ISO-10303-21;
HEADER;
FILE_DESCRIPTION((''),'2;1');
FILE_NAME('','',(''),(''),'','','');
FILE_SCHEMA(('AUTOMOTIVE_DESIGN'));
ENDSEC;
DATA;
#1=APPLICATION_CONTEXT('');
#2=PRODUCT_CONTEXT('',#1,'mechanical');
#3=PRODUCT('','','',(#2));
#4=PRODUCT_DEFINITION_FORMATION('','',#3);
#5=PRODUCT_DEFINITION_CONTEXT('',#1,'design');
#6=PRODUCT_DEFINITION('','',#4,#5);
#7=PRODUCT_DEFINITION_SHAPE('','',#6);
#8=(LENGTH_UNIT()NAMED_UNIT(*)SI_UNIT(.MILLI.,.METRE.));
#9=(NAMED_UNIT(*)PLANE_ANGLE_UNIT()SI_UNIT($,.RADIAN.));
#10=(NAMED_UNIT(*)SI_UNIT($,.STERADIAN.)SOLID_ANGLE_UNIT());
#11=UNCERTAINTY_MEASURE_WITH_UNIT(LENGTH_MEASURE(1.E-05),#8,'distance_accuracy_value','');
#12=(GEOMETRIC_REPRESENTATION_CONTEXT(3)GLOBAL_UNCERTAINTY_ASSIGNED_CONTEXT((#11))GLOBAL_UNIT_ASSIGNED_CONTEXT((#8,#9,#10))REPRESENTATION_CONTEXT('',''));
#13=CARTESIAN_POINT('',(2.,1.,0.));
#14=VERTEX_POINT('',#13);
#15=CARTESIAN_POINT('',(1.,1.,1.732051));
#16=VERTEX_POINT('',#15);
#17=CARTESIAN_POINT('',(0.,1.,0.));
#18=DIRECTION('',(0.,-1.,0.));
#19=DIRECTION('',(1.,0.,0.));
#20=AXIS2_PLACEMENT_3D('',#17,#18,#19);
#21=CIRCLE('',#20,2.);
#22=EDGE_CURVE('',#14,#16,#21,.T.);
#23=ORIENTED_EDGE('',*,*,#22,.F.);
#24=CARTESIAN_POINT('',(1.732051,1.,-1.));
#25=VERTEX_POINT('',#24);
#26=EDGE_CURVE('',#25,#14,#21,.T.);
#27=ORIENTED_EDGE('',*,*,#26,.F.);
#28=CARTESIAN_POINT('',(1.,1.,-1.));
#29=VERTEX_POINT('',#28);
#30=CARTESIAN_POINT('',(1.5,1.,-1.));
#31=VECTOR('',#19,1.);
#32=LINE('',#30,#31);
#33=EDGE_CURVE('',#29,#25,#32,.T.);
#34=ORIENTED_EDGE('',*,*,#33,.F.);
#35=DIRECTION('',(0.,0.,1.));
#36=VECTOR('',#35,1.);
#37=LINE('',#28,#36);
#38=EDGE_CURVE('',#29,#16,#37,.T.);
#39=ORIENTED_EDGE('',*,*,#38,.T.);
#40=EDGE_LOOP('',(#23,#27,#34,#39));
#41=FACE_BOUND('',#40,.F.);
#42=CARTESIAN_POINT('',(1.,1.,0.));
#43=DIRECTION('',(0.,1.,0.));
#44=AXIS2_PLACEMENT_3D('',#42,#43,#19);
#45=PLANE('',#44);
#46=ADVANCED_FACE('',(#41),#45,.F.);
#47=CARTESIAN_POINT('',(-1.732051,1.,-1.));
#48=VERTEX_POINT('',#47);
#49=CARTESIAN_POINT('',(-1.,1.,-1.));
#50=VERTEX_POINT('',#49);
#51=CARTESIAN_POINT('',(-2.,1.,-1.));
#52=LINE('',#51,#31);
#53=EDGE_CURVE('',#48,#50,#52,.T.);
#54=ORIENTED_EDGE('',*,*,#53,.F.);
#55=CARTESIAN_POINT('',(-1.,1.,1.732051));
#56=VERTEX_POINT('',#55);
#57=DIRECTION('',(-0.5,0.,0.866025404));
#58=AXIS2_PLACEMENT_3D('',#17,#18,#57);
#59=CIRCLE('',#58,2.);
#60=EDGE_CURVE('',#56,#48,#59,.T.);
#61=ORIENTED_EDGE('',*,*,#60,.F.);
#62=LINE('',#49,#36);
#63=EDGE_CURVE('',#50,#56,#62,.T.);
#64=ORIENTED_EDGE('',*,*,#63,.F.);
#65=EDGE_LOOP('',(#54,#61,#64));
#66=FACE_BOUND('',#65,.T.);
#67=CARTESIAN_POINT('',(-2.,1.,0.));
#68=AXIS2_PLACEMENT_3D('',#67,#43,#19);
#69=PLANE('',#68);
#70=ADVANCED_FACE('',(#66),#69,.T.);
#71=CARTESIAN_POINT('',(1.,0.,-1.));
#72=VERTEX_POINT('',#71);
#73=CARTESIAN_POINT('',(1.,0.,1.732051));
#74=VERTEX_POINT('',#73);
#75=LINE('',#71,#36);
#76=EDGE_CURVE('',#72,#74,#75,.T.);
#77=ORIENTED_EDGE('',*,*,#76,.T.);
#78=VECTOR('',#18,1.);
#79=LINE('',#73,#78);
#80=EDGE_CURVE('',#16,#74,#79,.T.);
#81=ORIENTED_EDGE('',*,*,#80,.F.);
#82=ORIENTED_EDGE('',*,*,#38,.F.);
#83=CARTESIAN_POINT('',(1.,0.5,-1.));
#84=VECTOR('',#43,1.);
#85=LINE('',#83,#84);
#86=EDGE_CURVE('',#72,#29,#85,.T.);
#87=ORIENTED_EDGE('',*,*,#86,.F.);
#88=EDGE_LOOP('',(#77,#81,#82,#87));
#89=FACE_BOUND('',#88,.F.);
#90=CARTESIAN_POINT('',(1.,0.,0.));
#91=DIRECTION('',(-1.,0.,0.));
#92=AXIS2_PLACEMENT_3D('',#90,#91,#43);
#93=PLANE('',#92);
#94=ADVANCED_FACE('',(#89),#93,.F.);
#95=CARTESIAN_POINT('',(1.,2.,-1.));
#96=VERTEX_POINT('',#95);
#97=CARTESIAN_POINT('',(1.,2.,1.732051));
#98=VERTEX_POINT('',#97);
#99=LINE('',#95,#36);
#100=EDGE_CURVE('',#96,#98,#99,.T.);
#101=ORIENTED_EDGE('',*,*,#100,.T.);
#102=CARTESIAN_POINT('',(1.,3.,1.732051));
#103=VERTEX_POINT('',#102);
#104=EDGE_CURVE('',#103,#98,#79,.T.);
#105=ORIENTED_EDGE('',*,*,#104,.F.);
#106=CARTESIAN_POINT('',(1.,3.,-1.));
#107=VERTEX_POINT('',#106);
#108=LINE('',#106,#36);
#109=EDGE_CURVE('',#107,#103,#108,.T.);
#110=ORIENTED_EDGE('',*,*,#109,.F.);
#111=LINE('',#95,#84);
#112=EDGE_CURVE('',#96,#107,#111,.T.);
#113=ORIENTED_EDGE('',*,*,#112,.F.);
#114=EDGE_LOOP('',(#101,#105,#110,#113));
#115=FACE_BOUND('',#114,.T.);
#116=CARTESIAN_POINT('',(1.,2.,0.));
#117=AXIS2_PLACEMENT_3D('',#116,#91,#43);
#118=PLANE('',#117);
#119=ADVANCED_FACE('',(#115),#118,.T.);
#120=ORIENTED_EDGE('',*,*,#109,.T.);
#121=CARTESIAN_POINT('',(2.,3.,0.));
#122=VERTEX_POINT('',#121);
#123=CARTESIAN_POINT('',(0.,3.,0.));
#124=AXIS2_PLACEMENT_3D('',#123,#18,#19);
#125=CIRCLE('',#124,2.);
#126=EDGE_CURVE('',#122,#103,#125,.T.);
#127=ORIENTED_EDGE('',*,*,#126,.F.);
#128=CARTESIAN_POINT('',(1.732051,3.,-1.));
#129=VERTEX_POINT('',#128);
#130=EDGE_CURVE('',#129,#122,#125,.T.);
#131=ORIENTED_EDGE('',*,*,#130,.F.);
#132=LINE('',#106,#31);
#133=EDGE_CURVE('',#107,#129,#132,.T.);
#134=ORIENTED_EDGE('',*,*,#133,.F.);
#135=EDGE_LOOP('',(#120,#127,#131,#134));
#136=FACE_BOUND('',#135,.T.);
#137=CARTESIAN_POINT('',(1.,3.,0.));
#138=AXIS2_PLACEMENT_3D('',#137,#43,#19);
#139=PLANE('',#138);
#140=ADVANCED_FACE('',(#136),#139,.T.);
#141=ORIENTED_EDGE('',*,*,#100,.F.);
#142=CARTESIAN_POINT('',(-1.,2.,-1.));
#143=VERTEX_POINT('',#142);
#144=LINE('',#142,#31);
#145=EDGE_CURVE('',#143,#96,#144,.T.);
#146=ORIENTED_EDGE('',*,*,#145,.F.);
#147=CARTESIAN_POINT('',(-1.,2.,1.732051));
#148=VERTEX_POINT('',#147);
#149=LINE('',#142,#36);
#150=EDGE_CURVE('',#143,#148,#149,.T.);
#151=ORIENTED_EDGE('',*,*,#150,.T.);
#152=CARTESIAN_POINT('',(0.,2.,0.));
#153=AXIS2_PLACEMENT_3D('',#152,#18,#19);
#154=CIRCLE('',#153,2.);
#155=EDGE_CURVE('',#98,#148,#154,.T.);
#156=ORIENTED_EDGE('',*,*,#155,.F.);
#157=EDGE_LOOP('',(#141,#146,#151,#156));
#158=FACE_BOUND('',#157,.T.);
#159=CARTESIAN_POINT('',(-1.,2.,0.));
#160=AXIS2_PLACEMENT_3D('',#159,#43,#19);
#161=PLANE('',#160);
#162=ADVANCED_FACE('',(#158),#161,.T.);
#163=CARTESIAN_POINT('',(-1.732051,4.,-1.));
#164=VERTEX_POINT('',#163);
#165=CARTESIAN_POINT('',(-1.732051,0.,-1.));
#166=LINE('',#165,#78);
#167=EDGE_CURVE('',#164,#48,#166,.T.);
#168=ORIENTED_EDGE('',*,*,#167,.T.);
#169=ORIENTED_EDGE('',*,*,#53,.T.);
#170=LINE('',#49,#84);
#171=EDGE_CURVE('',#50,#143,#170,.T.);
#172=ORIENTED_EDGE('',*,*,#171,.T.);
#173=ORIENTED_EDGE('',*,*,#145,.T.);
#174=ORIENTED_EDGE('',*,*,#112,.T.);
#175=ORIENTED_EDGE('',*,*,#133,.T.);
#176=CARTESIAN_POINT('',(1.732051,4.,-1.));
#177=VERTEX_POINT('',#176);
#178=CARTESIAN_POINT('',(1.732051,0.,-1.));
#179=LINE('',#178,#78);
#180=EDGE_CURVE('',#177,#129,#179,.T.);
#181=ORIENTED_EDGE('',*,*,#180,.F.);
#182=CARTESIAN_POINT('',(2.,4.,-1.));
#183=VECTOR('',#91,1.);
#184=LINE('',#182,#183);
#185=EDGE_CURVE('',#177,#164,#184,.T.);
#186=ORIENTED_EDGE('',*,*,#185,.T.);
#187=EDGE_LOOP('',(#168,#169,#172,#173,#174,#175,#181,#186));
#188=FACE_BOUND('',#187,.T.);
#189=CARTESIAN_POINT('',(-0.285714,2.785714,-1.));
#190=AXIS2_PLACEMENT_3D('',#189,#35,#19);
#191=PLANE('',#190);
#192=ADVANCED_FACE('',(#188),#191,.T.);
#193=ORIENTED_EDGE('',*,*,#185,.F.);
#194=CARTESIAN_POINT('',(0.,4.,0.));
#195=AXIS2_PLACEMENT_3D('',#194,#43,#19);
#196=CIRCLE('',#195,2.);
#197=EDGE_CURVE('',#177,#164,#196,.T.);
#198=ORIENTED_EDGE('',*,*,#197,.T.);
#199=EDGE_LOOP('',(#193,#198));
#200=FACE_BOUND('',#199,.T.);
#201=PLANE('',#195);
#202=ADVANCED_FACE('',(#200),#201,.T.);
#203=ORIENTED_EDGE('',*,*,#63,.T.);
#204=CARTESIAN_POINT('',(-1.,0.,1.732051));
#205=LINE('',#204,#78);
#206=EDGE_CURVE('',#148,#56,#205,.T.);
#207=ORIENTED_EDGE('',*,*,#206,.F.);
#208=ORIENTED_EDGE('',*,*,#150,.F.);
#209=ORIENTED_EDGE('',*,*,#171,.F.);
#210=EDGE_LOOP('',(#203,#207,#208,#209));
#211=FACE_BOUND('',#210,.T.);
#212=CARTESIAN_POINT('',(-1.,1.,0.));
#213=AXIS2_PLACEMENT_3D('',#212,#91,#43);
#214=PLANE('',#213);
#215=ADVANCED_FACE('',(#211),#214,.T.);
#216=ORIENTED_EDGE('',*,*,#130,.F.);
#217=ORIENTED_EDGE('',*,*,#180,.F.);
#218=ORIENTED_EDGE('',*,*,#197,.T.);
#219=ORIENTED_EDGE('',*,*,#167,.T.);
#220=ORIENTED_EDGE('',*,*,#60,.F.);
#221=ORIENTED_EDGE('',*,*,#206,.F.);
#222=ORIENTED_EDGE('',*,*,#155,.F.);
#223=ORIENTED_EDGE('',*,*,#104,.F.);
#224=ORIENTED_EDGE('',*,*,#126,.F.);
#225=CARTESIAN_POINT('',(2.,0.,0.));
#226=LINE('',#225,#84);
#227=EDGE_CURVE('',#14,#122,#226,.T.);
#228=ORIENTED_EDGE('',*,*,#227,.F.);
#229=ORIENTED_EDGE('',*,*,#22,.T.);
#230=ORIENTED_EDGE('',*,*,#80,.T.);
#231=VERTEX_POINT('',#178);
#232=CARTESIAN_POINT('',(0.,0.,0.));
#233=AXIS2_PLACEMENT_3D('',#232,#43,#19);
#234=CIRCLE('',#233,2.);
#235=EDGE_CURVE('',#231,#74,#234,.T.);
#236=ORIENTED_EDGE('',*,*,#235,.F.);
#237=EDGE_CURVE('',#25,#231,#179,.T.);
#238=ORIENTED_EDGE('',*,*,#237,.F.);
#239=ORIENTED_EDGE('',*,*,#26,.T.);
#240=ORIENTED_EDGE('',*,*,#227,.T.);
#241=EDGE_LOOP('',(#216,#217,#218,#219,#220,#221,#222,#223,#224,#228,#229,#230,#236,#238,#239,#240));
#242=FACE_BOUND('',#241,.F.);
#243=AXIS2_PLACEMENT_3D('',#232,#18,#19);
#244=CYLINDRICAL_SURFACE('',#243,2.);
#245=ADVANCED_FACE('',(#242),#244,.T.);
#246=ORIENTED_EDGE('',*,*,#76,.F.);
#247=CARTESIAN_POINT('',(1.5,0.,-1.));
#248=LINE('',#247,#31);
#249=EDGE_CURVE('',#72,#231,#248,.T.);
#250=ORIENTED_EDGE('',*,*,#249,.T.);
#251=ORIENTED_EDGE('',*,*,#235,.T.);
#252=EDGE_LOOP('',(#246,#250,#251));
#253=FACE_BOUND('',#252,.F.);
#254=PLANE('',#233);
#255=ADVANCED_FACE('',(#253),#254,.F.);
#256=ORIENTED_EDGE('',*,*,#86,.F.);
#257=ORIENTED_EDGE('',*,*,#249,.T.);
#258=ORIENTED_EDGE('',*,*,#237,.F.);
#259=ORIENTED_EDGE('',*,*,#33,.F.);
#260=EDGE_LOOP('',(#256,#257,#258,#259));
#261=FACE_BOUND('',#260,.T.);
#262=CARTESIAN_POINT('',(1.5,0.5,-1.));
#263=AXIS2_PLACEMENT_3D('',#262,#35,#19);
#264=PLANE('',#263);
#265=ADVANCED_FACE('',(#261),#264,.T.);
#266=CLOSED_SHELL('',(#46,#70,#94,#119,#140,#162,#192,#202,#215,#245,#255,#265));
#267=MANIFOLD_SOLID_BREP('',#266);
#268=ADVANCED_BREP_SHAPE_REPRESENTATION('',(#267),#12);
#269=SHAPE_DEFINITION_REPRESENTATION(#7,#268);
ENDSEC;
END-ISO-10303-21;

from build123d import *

# Parameters (mm, degrees)
SKETCH1_R               = 2
BOSS_EXTRUDE1_DEPTH     = 4
SKETCH2_W               = 1
SKETCH2_H               = 1
CUT_EXTRUDE1_DEPTH      = 3
CUT_EXTRUDE1_DEPTH_BACK = 1


with BuildPart() as part:
    # Sketch1 → Boss-Extrude1 (new body)
    with BuildSketch(Plane(origin=(0, 0, 0), x_dir=(1, 0, 0), z_dir=(0, 1, 0))):
        Circle(SKETCH1_R)
    extrude(amount=BOSS_EXTRUDE1_DEPTH)

    # Sketch2 → Cut-Extrude1 (cut, two sides)
    with BuildSketch(Plane.XY) as cut_extrude1_sk:
        Polygon((1, 4), (-2, 4), (-2, 3), (-2, 1), (-1, 1), (-1, 2), (1, 2), (1, 3), (2, 3), (2, 4), align=None)
        with Locations((1.5, 0.5)):
            Rectangle(SKETCH2_W, SKETCH2_H)
    extrude(amount=CUT_EXTRUDE1_DEPTH, mode=Mode.SUBTRACT)
    extrude(cut_extrude1_sk.sketch, amount=-CUT_EXTRUDE1_DEPTH_BACK, mode=Mode.SUBTRACT)


solid = part.part
